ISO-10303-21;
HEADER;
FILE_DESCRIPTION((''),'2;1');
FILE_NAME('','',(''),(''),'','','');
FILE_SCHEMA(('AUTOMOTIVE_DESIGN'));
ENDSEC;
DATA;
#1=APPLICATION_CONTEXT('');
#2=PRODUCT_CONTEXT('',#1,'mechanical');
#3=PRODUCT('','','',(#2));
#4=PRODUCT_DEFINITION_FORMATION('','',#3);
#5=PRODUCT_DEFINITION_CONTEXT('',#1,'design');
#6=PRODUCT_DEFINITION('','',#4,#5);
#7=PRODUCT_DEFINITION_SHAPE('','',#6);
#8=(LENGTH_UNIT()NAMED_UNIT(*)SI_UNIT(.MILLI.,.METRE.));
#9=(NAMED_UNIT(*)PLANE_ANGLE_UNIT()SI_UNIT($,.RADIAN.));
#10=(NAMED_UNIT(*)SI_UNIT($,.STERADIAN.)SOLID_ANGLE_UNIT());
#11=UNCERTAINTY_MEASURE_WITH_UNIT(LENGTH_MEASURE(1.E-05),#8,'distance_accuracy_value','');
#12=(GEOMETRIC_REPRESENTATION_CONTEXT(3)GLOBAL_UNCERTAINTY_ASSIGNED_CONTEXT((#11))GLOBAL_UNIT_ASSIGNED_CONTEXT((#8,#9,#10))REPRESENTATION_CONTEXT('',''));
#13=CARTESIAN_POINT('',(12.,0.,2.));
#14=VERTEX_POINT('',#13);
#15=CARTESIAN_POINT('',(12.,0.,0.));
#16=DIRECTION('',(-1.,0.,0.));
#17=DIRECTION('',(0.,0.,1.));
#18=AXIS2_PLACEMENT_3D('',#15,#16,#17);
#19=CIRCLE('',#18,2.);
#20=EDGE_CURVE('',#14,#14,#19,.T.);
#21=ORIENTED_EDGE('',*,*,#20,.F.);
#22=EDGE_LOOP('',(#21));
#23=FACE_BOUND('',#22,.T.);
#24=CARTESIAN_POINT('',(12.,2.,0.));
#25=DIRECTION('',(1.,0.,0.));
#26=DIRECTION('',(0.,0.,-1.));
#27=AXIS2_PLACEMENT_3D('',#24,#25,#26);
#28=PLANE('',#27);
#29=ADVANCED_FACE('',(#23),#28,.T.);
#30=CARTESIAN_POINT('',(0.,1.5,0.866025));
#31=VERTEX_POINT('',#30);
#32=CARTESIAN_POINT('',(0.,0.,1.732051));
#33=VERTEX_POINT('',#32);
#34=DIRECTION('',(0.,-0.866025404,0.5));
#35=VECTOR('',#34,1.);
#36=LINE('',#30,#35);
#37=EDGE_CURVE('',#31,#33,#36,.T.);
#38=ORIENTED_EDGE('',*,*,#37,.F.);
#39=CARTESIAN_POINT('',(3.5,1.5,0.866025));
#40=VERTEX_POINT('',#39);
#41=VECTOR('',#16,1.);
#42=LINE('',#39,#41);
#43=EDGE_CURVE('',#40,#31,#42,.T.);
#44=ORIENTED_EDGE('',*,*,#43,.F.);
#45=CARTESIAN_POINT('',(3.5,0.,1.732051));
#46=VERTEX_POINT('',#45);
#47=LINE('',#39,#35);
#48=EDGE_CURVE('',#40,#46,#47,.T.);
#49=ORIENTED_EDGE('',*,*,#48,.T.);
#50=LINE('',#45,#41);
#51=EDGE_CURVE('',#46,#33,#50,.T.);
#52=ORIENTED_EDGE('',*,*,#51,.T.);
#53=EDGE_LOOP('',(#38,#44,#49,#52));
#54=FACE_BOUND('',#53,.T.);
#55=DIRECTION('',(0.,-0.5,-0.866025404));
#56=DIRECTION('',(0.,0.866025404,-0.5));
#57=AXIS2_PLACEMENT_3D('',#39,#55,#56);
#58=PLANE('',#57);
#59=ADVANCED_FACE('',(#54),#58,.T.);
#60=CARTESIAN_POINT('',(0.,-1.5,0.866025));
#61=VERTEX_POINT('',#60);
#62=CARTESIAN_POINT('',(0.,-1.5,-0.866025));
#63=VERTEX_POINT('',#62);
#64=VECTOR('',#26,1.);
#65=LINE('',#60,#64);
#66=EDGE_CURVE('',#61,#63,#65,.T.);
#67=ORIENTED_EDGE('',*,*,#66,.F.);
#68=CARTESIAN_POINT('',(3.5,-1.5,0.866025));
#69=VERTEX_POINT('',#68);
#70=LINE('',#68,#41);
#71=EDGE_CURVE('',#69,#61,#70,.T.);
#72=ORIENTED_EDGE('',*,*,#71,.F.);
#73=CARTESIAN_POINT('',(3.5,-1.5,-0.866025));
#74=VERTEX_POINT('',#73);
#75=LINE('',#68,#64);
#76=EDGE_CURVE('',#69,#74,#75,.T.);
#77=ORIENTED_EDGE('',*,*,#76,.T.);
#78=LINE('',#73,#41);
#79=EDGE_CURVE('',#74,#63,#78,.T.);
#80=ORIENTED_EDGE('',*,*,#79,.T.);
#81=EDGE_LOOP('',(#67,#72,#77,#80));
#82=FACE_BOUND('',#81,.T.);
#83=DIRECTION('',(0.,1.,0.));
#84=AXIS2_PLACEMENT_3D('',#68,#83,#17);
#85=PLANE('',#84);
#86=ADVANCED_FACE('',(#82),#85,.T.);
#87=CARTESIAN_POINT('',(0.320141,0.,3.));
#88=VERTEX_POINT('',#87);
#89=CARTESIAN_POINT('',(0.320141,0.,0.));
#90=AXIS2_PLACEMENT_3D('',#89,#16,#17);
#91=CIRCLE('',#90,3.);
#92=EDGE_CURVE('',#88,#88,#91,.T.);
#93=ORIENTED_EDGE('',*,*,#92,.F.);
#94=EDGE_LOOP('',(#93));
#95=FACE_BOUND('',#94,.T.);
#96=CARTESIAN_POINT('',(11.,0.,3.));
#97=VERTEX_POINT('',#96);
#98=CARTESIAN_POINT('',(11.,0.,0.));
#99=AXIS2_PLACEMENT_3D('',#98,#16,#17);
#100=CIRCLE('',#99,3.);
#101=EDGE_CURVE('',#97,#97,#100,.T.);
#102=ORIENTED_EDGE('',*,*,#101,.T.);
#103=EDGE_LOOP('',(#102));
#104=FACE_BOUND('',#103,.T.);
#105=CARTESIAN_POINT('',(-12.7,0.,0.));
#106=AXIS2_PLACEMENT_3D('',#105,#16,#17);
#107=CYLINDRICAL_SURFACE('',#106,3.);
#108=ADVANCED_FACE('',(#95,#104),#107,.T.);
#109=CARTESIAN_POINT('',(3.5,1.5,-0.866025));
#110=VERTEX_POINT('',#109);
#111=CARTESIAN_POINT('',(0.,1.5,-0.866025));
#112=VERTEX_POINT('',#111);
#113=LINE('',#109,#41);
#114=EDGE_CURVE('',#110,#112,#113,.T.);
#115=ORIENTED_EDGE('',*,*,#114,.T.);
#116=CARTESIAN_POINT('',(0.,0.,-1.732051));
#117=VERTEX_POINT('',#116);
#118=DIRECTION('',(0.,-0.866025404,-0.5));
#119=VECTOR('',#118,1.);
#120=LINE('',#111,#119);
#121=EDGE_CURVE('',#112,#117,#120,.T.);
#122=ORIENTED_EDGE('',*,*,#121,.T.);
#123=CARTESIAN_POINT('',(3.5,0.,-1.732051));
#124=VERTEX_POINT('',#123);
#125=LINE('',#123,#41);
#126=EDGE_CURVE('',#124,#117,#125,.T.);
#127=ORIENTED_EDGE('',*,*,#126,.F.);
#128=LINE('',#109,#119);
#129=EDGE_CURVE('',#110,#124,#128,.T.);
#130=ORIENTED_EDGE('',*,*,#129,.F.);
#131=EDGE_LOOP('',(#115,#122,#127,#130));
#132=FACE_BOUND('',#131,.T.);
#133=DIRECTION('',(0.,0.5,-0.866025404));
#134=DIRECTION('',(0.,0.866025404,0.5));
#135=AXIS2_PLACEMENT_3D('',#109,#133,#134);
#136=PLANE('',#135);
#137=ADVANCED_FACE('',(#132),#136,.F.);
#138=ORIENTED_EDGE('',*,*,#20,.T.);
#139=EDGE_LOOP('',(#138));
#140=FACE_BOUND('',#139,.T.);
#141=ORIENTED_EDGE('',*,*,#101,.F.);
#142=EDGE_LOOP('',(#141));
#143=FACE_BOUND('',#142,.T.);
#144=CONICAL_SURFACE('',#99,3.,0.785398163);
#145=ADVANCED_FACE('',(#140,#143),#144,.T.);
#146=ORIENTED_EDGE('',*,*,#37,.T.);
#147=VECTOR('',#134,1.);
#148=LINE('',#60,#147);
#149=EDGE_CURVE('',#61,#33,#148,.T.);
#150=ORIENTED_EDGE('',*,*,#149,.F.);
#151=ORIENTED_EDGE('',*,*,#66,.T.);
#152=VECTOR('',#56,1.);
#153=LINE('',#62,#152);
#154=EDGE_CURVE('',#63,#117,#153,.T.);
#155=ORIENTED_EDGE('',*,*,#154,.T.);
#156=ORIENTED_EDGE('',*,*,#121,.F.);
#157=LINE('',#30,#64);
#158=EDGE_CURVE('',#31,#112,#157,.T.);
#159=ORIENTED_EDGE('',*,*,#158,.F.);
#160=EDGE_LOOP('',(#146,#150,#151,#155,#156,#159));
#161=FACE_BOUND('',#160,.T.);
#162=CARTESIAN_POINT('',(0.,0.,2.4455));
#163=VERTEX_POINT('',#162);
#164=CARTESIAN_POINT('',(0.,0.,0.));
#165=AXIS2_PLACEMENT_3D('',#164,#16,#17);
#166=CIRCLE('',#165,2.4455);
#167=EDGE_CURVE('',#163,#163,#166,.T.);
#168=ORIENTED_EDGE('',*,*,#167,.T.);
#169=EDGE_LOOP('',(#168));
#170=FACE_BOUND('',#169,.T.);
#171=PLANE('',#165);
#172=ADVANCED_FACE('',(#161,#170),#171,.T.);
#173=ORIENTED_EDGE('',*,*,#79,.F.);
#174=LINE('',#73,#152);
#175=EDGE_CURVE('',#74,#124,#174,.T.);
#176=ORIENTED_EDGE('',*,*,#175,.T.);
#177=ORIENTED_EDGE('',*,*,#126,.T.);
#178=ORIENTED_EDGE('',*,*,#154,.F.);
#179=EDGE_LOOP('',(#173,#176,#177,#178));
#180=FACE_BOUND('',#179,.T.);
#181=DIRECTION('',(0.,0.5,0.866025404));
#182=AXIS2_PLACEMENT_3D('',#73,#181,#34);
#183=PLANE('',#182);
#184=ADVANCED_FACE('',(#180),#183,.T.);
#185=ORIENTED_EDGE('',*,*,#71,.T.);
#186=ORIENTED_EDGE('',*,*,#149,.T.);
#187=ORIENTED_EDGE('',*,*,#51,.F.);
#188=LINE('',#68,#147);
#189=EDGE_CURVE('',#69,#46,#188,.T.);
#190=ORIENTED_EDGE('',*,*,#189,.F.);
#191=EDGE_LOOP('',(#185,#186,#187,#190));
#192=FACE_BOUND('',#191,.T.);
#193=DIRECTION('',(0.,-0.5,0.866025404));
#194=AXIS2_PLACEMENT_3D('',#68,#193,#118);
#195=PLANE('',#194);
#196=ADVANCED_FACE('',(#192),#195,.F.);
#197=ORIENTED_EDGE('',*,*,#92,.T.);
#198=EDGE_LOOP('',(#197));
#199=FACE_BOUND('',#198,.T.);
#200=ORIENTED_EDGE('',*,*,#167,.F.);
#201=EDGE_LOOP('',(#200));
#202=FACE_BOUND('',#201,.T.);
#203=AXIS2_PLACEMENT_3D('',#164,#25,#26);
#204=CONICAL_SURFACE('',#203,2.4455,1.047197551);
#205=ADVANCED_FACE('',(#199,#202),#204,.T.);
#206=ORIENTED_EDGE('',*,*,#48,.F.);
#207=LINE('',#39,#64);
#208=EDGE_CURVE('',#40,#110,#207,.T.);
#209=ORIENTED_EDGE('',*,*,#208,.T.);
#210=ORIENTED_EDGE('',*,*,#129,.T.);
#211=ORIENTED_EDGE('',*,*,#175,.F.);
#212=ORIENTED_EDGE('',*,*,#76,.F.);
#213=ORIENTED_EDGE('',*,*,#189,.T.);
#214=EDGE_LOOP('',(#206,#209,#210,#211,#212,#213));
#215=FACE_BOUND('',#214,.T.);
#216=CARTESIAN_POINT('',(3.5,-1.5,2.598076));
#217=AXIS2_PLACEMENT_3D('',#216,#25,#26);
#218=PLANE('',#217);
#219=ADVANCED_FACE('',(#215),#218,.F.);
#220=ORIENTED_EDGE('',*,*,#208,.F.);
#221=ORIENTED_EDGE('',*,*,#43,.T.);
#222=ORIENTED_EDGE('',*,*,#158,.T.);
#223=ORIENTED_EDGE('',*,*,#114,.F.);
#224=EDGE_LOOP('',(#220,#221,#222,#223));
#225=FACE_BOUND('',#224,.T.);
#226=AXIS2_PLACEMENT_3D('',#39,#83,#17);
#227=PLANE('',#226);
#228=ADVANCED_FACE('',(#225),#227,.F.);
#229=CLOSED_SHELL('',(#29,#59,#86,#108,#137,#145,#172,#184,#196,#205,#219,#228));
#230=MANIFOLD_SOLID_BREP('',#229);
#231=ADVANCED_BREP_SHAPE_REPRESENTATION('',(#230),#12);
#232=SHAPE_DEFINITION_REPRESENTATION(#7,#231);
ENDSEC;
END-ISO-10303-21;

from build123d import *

# Parameters (mm, degrees)
HEX_2_DEPTH = 3.5


with BuildPart() as part:
    # BodySke → BaseBody (revolve)
    with BuildSketch(Plane.XY, mode=Mode.PRIVATE) as basebody_sk:
        Polygon((0, 0), (0, 2.4455), (0.320140724, 3), (11, 3), (12, 2), (12, 0), align=None)
    revolve(basebody_sk.sketch.rotate(Axis((-12.7, 0, 0), (1, 0, 0)), 90), axis=Axis((-12.7, 0, 0), (1, 0, 0)))

    # Sketch2 → Hex 2 (cut)
    with BuildSketch(Plane.ZY):
        Polygon((0.866025404, 1.5), (-0.866025404, 1.5), (-1.732050808, 0), (-0.866025404, -1.5), (0.866025404, -1.5), (1.732050808, 0), align=None)
    extrude(amount=-HEX_2_DEPTH, mode=Mode.SUBTRACT)


solid = part.part
